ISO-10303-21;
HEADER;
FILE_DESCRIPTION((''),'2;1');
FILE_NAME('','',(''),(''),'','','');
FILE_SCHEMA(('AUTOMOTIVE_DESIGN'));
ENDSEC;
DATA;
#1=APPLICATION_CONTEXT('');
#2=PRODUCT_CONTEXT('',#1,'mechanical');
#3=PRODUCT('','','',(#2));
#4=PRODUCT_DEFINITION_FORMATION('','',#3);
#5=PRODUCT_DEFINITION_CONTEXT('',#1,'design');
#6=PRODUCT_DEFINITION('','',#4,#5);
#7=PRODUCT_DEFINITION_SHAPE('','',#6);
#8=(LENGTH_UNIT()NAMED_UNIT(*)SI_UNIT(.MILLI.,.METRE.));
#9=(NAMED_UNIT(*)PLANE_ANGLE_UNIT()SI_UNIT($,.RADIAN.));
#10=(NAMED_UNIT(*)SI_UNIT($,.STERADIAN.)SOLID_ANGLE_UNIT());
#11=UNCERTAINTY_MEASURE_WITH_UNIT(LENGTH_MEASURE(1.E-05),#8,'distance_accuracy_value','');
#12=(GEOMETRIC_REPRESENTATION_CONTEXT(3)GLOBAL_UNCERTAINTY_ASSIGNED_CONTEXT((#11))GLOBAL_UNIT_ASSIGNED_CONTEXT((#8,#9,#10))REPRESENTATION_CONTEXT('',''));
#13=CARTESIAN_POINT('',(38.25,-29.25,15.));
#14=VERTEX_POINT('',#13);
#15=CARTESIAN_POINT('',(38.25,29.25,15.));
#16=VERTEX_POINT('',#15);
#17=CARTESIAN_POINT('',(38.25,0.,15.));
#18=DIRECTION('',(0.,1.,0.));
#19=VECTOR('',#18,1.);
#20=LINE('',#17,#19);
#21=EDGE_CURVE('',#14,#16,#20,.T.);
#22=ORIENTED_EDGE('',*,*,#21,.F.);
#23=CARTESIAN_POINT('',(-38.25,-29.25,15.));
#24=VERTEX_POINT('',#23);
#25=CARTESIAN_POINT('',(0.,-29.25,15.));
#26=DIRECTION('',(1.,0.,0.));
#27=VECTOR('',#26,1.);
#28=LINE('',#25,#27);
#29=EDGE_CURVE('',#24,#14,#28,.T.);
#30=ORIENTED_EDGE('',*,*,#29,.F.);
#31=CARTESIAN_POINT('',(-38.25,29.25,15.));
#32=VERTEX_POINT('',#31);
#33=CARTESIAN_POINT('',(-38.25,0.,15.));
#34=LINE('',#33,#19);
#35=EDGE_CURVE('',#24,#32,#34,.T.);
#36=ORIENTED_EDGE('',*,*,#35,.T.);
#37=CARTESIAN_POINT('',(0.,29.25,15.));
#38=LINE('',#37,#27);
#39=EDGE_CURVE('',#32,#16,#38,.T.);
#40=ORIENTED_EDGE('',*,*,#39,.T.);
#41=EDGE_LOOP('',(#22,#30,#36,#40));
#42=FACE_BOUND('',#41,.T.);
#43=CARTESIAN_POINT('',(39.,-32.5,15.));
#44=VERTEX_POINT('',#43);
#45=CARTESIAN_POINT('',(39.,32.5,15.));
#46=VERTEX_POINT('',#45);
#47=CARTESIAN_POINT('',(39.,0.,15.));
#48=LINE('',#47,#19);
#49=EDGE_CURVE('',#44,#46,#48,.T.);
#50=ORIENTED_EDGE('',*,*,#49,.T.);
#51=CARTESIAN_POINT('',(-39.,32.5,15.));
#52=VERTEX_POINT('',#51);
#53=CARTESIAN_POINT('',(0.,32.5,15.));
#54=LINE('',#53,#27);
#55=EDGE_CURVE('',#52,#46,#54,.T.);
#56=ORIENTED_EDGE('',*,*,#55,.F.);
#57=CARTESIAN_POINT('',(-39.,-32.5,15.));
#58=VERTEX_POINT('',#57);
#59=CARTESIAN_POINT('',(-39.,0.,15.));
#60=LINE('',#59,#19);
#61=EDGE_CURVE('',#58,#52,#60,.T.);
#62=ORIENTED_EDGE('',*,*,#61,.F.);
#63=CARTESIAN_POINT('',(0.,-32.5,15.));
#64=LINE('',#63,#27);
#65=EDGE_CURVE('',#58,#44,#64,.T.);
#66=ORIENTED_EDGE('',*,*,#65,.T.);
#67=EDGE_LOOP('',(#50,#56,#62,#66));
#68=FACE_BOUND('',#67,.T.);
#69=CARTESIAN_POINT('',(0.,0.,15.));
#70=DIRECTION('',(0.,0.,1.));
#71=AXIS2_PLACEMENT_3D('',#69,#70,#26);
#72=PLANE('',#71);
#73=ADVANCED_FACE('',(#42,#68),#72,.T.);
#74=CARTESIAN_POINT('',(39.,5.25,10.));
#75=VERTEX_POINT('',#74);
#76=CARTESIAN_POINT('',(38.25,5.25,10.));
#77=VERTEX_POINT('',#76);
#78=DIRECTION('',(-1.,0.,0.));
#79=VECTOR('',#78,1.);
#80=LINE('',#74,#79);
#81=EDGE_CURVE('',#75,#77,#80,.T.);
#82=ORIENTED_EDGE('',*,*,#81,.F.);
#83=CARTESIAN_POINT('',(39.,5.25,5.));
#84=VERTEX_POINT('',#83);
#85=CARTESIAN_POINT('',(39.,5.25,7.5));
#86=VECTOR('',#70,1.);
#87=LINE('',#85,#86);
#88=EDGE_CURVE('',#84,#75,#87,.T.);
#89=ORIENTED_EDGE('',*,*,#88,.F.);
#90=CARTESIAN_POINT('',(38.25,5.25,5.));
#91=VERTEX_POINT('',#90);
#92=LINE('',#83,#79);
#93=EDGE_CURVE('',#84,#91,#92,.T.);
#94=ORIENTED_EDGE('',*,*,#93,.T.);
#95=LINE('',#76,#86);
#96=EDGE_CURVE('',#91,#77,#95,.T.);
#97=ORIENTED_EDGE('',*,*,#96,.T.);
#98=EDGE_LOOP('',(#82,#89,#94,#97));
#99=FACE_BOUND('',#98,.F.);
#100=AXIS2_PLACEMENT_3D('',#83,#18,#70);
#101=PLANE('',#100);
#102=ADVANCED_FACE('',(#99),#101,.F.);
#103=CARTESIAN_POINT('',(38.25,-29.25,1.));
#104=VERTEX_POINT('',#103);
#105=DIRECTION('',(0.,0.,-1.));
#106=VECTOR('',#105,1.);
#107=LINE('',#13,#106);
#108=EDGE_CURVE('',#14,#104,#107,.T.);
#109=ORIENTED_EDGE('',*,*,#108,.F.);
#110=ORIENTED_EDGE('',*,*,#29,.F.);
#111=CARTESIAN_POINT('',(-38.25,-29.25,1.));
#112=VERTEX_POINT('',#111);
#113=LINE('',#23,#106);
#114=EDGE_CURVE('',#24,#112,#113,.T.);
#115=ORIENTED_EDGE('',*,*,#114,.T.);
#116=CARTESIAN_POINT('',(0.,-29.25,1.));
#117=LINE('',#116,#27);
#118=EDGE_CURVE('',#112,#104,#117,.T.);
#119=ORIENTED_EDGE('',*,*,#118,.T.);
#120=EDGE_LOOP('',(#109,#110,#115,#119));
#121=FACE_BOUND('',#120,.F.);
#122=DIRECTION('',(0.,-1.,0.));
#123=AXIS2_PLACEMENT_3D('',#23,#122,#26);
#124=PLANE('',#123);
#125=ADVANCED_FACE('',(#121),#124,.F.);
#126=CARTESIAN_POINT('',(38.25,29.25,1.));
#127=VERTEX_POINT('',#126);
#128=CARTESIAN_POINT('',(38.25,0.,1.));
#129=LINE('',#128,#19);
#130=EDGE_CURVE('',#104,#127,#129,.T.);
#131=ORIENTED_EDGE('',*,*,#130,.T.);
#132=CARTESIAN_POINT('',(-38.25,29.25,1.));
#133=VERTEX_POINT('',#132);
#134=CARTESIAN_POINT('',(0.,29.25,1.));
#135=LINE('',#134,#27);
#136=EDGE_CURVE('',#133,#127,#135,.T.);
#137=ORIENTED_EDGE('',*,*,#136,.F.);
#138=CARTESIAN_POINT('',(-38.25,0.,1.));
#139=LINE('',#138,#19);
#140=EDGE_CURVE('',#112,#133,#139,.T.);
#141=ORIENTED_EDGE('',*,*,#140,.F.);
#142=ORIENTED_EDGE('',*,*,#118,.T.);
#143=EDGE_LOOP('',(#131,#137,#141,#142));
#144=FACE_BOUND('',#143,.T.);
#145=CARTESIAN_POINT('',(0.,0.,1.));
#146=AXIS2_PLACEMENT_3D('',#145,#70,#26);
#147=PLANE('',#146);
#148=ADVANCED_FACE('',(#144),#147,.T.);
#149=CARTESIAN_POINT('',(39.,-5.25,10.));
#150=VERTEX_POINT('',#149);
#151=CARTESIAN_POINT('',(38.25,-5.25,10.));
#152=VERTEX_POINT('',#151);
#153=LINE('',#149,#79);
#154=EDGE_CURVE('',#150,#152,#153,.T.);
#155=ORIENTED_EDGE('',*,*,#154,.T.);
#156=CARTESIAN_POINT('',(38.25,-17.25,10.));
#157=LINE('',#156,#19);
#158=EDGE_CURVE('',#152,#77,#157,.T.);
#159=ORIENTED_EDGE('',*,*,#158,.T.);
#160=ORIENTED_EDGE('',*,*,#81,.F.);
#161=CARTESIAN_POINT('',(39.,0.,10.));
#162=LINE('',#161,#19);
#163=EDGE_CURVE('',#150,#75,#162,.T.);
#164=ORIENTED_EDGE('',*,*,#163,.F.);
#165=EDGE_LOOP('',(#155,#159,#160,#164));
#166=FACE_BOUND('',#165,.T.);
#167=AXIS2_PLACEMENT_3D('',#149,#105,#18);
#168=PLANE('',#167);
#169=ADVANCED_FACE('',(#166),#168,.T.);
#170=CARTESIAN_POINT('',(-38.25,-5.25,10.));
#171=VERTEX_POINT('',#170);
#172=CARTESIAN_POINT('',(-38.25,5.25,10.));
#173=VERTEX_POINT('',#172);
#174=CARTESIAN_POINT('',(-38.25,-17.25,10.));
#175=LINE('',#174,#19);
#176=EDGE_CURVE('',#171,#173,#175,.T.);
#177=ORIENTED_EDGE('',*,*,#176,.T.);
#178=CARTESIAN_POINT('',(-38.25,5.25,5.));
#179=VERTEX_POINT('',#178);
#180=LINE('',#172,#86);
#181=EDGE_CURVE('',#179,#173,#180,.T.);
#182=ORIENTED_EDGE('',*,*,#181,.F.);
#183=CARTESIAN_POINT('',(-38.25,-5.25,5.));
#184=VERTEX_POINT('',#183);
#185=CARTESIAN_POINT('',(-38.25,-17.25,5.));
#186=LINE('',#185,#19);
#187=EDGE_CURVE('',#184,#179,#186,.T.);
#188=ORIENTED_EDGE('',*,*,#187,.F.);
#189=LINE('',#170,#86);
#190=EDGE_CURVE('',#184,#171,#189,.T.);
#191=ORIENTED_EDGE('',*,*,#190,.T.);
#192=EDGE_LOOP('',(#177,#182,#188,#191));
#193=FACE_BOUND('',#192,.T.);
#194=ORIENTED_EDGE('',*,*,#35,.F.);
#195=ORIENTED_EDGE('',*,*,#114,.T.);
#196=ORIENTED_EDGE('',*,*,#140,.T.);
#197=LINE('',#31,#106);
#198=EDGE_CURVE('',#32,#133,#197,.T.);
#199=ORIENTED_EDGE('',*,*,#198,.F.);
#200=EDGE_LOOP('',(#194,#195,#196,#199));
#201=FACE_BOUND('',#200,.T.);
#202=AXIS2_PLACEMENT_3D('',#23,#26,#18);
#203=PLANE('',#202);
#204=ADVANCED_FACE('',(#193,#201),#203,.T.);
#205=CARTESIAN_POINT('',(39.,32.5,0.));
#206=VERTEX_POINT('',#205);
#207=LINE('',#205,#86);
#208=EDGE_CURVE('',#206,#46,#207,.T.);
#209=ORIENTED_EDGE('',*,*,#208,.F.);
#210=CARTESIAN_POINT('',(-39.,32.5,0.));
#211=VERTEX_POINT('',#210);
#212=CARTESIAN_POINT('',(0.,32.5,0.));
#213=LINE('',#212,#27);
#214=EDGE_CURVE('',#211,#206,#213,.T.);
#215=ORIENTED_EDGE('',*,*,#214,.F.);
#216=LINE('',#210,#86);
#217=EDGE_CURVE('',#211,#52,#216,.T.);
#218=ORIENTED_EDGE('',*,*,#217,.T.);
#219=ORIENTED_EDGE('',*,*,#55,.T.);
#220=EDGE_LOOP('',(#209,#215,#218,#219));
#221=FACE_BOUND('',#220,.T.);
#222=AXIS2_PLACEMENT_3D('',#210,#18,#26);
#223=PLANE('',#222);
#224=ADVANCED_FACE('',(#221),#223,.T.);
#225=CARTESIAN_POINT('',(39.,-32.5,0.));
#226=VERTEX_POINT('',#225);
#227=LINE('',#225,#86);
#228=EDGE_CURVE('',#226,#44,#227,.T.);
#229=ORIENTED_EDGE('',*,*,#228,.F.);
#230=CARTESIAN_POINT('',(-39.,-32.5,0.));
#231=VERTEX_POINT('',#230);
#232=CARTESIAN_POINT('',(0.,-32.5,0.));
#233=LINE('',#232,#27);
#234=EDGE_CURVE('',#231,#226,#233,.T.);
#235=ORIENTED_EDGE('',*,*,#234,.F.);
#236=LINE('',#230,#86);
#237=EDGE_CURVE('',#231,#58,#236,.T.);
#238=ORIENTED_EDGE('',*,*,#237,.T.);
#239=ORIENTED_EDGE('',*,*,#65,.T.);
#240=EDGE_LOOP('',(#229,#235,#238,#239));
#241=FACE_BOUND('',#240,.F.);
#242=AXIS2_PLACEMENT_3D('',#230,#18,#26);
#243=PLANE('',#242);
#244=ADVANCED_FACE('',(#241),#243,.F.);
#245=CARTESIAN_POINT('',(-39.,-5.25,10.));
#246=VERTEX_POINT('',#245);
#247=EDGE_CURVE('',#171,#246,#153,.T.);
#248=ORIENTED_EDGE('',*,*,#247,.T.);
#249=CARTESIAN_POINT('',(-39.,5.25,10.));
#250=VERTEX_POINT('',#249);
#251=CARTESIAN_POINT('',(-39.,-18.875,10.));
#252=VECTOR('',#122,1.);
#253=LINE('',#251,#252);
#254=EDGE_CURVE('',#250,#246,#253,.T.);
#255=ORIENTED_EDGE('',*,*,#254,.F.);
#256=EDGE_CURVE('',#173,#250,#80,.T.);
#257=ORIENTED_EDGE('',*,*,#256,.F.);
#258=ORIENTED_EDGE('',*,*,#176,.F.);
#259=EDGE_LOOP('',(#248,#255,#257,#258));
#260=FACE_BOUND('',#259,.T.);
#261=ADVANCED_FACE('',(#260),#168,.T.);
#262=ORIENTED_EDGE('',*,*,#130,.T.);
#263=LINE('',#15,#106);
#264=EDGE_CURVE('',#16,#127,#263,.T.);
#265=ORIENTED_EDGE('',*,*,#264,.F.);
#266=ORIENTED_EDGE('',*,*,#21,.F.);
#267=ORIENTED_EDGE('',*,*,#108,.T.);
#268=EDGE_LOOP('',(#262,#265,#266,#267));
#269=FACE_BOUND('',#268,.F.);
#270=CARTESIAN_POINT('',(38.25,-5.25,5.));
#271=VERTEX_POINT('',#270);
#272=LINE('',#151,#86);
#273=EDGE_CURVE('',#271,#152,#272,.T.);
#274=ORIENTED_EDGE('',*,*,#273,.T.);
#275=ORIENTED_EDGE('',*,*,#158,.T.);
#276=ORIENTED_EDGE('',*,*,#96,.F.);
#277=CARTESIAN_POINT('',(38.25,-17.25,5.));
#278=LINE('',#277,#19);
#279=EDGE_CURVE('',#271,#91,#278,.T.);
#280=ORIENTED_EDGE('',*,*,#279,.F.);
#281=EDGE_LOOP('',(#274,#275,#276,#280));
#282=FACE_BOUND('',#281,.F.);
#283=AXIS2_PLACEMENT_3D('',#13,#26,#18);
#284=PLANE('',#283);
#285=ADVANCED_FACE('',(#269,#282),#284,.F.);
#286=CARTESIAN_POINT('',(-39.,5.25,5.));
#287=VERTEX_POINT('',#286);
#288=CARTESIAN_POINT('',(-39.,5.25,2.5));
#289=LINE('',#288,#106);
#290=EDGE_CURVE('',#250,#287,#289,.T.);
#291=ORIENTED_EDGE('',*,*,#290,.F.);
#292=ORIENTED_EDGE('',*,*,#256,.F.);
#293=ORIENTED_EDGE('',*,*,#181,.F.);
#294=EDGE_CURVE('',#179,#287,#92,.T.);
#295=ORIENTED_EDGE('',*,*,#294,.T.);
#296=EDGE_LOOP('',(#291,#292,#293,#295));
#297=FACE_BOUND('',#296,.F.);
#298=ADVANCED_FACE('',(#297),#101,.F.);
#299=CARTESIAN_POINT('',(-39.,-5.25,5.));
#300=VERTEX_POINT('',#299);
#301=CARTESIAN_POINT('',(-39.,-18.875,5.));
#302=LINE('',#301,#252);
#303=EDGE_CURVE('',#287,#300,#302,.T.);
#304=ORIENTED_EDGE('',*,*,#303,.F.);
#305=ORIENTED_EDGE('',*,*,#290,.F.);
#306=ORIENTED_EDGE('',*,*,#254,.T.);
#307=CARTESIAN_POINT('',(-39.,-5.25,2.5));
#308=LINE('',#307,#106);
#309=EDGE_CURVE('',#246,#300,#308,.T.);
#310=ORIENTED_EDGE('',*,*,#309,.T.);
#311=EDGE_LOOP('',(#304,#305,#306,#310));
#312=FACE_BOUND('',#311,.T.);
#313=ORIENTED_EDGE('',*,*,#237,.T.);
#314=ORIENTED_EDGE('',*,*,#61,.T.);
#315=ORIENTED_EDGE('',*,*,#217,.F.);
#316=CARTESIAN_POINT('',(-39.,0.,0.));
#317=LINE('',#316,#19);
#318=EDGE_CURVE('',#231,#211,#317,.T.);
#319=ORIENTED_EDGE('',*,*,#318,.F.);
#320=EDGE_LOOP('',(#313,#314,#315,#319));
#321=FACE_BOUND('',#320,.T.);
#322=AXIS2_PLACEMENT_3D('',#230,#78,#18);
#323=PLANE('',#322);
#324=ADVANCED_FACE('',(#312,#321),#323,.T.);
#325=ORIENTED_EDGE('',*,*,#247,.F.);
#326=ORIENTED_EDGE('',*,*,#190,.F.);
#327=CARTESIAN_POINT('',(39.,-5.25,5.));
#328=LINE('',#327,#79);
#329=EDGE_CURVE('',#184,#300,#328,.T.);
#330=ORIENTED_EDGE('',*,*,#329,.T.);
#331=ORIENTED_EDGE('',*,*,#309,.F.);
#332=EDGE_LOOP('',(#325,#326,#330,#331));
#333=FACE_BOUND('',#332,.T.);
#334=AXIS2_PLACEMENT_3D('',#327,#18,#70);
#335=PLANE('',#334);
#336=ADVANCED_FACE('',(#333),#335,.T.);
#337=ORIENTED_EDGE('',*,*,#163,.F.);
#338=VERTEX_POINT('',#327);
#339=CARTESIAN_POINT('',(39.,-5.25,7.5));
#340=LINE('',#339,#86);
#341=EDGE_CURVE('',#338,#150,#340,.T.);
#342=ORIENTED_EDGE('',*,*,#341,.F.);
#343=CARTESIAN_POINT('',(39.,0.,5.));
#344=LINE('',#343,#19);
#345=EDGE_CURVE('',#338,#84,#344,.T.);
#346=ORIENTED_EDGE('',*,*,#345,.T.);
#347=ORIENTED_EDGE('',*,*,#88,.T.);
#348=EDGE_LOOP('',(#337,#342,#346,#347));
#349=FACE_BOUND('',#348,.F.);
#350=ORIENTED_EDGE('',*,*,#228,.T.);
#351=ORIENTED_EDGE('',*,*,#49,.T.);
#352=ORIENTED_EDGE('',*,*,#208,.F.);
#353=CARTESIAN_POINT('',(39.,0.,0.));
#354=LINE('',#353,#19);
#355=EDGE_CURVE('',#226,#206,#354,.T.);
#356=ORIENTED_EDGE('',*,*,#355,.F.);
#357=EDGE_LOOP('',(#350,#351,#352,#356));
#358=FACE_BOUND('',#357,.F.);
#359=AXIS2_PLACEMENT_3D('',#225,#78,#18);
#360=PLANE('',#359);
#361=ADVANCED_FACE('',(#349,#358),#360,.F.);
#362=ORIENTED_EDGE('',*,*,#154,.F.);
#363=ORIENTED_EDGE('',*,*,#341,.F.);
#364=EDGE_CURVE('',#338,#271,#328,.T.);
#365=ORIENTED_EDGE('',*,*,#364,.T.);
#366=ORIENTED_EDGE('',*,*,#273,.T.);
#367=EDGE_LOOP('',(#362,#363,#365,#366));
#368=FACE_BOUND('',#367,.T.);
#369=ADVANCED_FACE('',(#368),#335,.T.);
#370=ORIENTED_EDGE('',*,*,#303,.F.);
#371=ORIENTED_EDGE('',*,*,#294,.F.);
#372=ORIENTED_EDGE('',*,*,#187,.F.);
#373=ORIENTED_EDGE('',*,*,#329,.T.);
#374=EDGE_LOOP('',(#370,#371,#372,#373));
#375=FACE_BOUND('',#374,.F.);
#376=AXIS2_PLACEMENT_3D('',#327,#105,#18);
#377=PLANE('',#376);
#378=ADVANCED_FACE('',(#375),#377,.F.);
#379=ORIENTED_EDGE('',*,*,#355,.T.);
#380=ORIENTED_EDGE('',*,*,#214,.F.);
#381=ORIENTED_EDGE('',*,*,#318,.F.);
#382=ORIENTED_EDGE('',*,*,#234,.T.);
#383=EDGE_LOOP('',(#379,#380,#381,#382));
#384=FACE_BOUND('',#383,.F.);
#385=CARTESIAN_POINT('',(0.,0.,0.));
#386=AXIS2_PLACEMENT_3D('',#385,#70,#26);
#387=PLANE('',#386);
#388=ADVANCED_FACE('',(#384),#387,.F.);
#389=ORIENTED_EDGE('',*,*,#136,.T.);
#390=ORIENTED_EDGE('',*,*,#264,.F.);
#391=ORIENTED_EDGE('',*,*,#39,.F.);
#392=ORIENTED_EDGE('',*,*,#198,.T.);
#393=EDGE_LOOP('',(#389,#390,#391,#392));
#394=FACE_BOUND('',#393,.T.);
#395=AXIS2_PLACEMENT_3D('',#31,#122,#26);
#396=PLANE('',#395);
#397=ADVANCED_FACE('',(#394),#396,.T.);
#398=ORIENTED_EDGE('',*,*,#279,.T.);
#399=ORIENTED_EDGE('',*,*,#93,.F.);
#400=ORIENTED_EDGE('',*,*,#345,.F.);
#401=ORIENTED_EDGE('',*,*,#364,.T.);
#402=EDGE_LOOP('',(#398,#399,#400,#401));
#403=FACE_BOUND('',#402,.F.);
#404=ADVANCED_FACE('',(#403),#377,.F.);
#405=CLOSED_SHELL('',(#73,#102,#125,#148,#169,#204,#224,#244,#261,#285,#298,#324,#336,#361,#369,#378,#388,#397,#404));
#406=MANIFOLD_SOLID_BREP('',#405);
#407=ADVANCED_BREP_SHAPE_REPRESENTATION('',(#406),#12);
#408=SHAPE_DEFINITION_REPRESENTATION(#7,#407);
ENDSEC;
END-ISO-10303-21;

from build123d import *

# Parameters (mm, degrees)
SKETCH_W        = 78
SKETCH_H        = 65
PAD_DEPTH       = 15
SKETCH001_W     = 76.5
SKETCH001_H     = 58.5
POCKET_DEPTH    = 14
SKETCH002_W     = 10.5
SKETCH002_H     = 5
POCKET001_DEPTH = 100


with BuildPart() as part:
    # Sketch → Pad (new body)
    with BuildSketch(Plane.XY):
        Rectangle(SKETCH_W, SKETCH_H)
    extrude(amount=PAD_DEPTH)

    # Sketch001 (on Face6 of Pad) → Pocket (cut)
    with BuildSketch(Plane.XY.offset(15)):
        Rectangle(SKETCH001_W, SKETCH001_H)
    extrude(amount=-POCKET_DEPTH, mode=Mode.SUBTRACT)

    # Sketch002 (on Face3 of Pocket) → Pocket001 (cut)
    with BuildSketch(Plane.YZ.offset(39)):
        with Locations((0, 7.5)):
            Rectangle(SKETCH002_W, SKETCH002_H)
    extrude(amount=-POCKET001_DEPTH, mode=Mode.SUBTRACT)


solid = part.part
